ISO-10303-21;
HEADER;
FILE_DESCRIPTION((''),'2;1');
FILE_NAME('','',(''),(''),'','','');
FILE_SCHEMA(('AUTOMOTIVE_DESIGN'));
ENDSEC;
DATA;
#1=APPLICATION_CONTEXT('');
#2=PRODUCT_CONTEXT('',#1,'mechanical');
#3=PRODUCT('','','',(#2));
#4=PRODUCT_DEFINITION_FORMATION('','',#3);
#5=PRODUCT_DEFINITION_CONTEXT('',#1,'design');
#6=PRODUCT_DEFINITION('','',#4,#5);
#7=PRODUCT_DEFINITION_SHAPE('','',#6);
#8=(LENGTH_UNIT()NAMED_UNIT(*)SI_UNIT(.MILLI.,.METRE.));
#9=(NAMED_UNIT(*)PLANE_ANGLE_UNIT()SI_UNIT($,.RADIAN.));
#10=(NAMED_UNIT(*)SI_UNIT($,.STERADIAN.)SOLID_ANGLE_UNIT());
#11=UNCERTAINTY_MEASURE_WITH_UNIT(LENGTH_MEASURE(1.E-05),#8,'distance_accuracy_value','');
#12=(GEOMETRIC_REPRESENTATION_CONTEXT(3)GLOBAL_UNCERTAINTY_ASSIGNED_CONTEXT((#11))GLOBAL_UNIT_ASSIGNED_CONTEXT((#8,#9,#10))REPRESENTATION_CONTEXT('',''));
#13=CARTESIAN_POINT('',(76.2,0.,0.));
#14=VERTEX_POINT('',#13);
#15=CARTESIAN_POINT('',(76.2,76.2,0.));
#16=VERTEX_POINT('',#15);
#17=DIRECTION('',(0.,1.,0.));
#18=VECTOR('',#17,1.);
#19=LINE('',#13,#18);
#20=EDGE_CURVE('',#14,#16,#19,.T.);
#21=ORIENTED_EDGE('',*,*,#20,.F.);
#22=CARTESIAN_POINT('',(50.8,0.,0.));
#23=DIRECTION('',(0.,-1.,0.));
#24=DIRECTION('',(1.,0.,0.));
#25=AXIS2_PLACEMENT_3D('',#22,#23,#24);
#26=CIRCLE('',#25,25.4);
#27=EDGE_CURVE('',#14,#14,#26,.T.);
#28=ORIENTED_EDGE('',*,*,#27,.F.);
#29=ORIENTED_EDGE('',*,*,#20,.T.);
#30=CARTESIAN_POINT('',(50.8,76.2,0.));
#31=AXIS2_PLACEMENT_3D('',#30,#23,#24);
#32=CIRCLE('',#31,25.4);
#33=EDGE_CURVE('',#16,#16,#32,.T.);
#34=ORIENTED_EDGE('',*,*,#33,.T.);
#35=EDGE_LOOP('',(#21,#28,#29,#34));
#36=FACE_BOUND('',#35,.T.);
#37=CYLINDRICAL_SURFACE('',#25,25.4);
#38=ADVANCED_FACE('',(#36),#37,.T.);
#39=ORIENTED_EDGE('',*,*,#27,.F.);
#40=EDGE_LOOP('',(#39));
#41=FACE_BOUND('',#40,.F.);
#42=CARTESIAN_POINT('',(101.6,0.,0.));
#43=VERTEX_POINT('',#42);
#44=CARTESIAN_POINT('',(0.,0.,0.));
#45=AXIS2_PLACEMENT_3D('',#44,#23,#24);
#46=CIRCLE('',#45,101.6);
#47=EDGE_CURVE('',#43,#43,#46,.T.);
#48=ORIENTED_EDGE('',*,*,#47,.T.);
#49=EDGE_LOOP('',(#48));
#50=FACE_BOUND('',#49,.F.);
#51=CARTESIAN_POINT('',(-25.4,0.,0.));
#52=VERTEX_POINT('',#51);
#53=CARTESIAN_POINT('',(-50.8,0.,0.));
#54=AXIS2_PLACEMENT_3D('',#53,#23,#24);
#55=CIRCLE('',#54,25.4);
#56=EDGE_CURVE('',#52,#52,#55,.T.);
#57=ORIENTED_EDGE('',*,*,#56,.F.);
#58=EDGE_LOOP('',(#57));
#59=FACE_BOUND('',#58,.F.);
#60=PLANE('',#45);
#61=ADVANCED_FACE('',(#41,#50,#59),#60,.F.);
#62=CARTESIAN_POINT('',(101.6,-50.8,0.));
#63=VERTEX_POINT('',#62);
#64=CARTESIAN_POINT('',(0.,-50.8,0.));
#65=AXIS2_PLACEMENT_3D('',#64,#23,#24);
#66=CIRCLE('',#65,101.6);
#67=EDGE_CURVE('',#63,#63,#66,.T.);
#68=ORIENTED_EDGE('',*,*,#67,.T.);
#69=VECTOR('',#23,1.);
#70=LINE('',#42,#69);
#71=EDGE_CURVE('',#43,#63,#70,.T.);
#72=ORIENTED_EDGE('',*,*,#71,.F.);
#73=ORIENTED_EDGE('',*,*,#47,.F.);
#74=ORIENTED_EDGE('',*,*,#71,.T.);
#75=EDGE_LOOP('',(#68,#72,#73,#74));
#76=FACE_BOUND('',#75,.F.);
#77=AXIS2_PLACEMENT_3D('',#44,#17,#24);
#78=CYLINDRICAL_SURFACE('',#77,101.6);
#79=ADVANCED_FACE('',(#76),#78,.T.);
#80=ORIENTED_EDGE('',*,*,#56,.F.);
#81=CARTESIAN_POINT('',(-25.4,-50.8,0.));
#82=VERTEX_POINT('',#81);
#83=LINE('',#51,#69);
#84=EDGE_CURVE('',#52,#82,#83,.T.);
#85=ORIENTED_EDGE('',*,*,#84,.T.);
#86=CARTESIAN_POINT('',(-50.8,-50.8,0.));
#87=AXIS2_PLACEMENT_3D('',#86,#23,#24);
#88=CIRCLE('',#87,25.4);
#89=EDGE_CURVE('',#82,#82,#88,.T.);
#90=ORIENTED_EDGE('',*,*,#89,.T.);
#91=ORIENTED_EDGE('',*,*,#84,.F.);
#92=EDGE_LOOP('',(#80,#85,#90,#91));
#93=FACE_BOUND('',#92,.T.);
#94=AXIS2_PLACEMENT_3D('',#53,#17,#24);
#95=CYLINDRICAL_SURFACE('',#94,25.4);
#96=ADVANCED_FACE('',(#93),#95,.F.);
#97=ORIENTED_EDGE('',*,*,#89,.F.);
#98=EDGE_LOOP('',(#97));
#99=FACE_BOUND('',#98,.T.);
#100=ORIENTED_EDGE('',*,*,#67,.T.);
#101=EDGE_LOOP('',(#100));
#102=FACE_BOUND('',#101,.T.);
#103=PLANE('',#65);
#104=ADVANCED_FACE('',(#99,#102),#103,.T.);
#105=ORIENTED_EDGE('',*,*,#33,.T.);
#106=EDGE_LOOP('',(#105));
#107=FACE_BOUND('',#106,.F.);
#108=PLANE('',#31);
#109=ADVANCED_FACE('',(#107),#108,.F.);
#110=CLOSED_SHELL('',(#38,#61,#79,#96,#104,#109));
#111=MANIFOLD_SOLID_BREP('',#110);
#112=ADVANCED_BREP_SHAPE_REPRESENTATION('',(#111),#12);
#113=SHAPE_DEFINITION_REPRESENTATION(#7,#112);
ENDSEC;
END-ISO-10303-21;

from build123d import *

# Parameters (mm, degrees)
F0_R     = 101.6
F0_R_2   = 25.4
F1_DEPTH = 50.8
F2_DEPTH = 76.2


with BuildPart() as f1:
    # F0 (on Front) → F1 (new body)
    with BuildSketch(Plane.XZ):
        Circle(F0_R)
        with Locations((-50.8, 0)):
            Circle(F0_R_2, mode=Mode.SUBTRACT)
        with Locations((50.8, 0)):
            Circle(F0_R_2, mode=Mode.SUBTRACT)
        with Locations((50.8, 0)):
            Circle(F0_R_2)
    extrude(amount=F1_DEPTH)

    # F0 (on Front) → F2 (join)
    with BuildSketch(Plane.XZ):
        with Locations((50.8, 0)):
            Circle(F0_R_2)
    extrude(amount=-F2_DEPTH)


solid = f1.part
